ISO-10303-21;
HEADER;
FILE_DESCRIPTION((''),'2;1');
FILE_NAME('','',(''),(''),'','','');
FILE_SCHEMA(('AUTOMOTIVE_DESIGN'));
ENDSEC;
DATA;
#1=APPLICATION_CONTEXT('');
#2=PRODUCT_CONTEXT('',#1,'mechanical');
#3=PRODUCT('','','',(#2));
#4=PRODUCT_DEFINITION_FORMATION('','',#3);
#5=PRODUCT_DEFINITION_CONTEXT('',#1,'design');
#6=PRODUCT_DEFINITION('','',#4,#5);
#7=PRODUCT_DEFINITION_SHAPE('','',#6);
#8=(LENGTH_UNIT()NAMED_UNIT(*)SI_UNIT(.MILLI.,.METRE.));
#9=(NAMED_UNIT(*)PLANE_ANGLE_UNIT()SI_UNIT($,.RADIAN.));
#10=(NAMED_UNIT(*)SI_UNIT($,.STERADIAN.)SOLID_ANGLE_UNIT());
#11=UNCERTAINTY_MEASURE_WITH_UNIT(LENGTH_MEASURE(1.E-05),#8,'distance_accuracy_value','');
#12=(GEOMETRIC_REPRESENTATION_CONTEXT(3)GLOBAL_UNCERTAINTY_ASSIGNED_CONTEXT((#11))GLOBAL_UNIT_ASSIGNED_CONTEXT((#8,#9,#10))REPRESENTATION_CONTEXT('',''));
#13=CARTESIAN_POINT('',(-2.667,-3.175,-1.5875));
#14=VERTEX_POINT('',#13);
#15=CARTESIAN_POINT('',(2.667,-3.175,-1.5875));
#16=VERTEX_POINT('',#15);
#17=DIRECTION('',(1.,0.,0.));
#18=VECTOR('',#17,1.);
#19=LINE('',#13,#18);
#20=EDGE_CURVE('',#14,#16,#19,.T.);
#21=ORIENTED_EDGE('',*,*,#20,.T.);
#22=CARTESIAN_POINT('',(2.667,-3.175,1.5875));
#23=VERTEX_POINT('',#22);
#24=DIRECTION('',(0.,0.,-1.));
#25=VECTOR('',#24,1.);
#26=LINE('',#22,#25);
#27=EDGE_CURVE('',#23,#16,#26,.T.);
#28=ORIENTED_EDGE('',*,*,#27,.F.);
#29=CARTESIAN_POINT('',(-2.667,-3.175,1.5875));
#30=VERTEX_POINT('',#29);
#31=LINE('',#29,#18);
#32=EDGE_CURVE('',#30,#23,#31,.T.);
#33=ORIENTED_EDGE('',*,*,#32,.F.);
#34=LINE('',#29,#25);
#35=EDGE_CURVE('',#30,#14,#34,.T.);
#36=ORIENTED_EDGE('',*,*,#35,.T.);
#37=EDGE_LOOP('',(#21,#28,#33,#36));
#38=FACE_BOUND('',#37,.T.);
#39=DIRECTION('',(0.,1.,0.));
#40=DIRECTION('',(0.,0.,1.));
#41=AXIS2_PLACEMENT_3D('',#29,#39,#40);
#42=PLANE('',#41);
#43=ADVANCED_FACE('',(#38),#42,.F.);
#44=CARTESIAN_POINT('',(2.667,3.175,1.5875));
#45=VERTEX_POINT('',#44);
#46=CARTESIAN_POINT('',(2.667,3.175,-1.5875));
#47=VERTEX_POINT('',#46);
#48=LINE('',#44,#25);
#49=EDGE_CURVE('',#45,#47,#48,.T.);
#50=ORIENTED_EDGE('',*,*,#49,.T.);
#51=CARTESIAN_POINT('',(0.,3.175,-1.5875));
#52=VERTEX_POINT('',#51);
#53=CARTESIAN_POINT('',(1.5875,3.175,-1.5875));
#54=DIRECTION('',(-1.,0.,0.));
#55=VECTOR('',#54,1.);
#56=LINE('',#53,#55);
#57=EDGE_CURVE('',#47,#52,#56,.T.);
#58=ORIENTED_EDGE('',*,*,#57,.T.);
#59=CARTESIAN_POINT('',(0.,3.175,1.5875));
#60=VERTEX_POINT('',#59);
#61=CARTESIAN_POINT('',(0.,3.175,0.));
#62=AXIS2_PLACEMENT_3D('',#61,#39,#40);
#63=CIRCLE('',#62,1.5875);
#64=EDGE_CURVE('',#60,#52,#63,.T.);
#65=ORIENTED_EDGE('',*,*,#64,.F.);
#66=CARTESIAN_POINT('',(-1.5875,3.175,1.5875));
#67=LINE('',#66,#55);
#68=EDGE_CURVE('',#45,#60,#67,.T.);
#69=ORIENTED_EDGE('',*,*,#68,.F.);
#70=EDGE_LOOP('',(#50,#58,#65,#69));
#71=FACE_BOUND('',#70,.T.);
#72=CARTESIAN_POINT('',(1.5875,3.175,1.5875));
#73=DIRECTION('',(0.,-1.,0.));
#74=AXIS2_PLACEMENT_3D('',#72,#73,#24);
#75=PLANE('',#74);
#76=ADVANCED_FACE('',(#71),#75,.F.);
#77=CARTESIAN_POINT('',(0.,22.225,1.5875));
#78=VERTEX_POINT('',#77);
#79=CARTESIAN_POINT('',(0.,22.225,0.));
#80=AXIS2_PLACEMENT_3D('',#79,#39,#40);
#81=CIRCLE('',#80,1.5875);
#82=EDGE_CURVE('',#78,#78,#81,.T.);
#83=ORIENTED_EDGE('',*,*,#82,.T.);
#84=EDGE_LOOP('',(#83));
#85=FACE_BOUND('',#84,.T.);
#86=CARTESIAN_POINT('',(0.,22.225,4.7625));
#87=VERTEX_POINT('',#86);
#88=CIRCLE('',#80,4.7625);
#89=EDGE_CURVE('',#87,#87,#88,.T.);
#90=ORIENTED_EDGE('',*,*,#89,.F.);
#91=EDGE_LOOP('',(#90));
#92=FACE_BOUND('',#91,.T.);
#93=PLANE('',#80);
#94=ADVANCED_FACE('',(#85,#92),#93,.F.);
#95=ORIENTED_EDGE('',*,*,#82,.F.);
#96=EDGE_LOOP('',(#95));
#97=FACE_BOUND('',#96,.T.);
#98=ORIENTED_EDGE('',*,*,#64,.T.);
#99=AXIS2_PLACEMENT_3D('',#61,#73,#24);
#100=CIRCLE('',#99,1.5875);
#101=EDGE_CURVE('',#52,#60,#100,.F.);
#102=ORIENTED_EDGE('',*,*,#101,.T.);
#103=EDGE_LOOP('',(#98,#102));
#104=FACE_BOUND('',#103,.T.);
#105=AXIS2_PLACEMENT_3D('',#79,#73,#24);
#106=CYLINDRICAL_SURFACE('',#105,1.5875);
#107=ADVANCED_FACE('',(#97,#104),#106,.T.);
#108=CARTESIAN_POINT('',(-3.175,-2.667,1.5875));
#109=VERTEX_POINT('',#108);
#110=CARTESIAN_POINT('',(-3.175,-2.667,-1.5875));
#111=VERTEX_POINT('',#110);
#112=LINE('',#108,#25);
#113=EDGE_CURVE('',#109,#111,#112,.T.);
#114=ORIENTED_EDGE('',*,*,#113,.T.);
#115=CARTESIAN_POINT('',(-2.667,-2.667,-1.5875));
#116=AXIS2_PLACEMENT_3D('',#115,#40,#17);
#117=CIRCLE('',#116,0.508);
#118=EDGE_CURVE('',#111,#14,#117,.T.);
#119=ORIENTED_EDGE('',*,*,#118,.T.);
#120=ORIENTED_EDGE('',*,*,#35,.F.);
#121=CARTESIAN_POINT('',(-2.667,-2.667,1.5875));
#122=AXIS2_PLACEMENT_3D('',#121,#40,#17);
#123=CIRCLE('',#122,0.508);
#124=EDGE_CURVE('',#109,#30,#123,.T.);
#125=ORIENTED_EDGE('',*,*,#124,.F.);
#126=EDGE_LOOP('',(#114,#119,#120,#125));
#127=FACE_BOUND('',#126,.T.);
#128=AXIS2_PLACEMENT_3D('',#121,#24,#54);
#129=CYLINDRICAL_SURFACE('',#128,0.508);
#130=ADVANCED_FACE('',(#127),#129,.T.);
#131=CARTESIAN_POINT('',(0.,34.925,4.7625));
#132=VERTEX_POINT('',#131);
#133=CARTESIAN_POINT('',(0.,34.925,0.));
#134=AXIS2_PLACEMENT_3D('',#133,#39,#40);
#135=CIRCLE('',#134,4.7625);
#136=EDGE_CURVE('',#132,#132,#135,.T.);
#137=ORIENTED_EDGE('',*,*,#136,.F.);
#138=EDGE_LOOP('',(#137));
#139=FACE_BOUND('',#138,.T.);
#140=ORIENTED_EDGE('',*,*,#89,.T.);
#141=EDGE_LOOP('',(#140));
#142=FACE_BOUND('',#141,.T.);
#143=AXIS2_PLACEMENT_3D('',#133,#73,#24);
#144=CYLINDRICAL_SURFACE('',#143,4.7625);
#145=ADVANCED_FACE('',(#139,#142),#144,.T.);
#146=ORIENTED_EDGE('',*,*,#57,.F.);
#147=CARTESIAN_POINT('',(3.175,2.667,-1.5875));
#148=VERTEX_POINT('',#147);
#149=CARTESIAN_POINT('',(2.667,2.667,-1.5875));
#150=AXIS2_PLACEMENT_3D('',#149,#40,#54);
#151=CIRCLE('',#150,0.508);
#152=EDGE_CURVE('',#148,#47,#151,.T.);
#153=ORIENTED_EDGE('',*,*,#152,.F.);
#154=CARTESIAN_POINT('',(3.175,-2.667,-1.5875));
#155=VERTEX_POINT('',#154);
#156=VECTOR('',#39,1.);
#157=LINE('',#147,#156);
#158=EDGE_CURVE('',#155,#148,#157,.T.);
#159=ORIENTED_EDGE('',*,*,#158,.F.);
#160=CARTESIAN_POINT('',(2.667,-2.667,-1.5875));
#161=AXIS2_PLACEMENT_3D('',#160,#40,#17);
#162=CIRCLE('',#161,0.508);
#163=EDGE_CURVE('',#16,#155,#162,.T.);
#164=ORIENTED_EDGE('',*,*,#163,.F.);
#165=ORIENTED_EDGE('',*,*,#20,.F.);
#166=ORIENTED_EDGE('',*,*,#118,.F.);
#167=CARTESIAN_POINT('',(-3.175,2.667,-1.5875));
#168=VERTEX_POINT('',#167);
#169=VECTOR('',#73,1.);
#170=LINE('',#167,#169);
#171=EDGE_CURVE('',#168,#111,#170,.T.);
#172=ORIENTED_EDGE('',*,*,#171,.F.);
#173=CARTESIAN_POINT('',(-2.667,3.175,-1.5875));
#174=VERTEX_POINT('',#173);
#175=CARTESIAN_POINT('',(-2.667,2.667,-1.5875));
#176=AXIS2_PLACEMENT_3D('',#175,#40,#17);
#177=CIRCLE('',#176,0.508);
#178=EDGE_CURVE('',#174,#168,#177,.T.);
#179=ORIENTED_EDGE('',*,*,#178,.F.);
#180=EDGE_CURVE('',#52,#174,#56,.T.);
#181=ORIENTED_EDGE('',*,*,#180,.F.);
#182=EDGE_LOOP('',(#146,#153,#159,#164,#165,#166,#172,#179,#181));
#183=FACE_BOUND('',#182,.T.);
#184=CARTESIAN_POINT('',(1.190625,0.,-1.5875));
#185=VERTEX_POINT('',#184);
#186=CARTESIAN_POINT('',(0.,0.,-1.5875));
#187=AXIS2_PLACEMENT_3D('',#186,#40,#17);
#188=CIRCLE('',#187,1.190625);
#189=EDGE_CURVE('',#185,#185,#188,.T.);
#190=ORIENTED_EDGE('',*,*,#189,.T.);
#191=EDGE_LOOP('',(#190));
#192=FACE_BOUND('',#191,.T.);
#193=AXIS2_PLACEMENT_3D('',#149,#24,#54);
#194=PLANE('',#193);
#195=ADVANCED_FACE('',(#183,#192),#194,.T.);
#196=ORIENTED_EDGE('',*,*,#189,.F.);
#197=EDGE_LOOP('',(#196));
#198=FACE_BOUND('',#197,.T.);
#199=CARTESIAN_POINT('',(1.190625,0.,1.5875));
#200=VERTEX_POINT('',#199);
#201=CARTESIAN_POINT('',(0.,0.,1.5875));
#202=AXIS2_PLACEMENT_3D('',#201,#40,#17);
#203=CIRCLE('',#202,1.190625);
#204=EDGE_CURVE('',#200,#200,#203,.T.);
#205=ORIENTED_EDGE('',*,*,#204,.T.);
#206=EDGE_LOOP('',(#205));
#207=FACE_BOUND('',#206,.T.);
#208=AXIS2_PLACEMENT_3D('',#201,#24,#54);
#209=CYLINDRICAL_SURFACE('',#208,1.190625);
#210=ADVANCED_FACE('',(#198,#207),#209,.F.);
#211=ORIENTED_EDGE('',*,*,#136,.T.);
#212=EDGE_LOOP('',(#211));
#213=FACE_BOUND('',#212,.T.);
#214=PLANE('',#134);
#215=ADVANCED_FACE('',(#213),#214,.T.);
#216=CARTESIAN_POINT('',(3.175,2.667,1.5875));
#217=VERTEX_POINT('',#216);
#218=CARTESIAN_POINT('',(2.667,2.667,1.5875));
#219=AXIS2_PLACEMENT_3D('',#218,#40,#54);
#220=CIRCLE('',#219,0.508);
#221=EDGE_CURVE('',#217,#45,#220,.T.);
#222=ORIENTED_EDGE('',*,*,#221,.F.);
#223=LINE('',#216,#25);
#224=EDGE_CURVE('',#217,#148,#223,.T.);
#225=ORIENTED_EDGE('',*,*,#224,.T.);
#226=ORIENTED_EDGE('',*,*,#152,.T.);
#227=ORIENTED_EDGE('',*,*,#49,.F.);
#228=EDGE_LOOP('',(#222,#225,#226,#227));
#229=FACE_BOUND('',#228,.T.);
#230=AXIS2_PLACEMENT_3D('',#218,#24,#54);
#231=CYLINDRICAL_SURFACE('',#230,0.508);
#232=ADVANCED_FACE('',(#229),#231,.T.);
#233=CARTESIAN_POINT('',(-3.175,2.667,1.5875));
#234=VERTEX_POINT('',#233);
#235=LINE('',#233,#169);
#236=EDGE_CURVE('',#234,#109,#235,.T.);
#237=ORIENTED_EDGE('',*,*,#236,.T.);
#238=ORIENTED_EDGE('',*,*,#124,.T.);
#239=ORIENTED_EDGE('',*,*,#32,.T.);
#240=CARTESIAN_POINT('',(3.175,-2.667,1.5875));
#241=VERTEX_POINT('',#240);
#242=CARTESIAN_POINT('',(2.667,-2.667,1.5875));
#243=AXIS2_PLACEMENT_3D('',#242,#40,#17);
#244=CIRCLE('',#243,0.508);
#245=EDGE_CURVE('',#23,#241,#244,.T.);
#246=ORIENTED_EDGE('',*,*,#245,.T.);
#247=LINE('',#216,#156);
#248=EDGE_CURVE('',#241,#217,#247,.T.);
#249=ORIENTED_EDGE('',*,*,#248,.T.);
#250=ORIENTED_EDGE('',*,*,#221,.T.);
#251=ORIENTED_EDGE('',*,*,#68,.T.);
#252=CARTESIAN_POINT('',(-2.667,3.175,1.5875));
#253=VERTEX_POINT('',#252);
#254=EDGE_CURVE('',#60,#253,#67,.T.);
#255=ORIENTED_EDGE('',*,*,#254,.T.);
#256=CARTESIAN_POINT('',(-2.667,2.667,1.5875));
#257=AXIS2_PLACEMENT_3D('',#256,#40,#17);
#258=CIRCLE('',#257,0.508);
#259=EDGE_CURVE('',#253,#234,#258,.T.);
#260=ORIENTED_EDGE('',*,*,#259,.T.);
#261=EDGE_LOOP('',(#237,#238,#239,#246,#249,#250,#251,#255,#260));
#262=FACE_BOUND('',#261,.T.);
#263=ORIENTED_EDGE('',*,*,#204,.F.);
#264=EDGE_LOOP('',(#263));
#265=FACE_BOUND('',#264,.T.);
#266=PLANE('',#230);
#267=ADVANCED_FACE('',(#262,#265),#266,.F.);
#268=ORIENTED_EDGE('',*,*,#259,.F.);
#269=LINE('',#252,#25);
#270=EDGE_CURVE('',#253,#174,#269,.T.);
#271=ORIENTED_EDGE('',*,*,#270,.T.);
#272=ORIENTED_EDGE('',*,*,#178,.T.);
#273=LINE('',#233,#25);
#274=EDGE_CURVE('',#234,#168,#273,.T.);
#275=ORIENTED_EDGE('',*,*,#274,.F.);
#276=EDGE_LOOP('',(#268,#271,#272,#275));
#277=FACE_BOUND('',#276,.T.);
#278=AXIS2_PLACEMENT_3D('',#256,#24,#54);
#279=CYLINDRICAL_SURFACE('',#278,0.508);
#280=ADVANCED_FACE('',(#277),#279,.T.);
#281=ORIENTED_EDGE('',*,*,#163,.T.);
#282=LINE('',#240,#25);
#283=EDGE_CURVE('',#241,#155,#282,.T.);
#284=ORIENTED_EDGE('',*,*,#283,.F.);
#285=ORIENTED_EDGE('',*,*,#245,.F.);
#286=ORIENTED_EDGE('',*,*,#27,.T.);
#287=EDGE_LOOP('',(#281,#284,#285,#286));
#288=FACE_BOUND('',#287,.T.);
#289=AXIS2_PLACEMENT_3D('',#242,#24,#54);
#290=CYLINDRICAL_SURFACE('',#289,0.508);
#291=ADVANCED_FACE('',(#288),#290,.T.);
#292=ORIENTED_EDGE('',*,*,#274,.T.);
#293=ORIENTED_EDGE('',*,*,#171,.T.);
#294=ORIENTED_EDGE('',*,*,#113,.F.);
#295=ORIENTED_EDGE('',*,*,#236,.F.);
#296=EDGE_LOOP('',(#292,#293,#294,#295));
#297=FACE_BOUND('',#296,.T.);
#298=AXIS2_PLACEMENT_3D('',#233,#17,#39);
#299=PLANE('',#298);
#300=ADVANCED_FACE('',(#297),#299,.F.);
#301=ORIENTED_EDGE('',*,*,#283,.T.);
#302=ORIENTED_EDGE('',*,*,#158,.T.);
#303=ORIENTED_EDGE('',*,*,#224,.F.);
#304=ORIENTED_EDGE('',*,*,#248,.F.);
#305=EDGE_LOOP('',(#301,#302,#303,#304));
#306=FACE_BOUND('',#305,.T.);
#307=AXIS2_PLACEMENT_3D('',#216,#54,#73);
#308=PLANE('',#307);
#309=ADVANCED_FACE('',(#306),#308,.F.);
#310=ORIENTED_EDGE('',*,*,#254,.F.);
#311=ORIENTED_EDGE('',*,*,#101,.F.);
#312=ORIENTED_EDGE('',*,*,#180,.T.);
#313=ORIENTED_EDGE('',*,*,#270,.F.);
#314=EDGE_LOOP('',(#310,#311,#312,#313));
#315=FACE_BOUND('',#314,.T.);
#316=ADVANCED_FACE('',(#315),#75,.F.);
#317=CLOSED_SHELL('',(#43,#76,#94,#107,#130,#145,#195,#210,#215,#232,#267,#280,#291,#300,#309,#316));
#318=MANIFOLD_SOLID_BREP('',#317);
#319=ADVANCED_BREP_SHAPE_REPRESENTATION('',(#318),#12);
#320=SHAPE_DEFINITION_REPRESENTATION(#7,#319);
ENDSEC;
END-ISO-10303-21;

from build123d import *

# Parameters (mm, degrees)
SKETCH2_R           = 1.190625
BOSS_EXTRUDE2_DEPTH = 1.5875
SKETCH6_R           = 1.5875
BOSS_EXTRUDE5_DEPTH = 19.05
SKETCH7_R           = 4.7625
BOSS_EXTRUDE6_DEPTH = 12.7


with BuildPart() as part:
    # Sketch2 → Boss-Extrude2 (new body, symmetric)
    with BuildSketch(Plane.XY):
        with BuildLine():
            Line((-2.667, 3.175), (-1.5875, 3.175))
            Line((-1.5875, 3.175), (1.5875, 3.175))
            Line((1.5875, 3.175), (2.667, 3.175))
            ThreePointArc((2.667, 3.175), (3.026210245, 3.026210245), (3.175, 2.667))
            Line((3.175, 2.667), (3.175, -2.667))
            ThreePointArc((3.175, -2.667), (3.026210245, -3.026210245), (2.667, -3.175))
            Line((2.667, -3.175), (-2.667, -3.175))
            ThreePointArc((-2.667, -3.175), (-3.026210245, -3.026210245), (-3.175, -2.667))
            Line((-3.175, -2.667), (-3.175, 2.667))
            ThreePointArc((-3.175, 2.667), (-3.026210245, 3.026210245), (-2.667, 3.175))
        make_face()
        Circle(SKETCH2_R, mode=Mode.SUBTRACT)
    extrude(amount=BOSS_EXTRUDE2_DEPTH, both=True)

    # Sketch6 → Boss-Extrude5 (add)
    with BuildSketch(Plane(origin=(0, 3.175, 0), x_dir=(1, 0, 0), z_dir=(0, 1, 0))):
        Circle(SKETCH6_R)
    extrude(amount=BOSS_EXTRUDE5_DEPTH)

    # Sketch7 → Boss-Extrude6 (add)
    with BuildSketch(Plane(origin=(0, 22.225, 0), x_dir=(1, 0, 0), z_dir=(0, 1, 0))):
        Circle(SKETCH7_R)
    extrude(amount=BOSS_EXTRUDE6_DEPTH)


solid = part.part
